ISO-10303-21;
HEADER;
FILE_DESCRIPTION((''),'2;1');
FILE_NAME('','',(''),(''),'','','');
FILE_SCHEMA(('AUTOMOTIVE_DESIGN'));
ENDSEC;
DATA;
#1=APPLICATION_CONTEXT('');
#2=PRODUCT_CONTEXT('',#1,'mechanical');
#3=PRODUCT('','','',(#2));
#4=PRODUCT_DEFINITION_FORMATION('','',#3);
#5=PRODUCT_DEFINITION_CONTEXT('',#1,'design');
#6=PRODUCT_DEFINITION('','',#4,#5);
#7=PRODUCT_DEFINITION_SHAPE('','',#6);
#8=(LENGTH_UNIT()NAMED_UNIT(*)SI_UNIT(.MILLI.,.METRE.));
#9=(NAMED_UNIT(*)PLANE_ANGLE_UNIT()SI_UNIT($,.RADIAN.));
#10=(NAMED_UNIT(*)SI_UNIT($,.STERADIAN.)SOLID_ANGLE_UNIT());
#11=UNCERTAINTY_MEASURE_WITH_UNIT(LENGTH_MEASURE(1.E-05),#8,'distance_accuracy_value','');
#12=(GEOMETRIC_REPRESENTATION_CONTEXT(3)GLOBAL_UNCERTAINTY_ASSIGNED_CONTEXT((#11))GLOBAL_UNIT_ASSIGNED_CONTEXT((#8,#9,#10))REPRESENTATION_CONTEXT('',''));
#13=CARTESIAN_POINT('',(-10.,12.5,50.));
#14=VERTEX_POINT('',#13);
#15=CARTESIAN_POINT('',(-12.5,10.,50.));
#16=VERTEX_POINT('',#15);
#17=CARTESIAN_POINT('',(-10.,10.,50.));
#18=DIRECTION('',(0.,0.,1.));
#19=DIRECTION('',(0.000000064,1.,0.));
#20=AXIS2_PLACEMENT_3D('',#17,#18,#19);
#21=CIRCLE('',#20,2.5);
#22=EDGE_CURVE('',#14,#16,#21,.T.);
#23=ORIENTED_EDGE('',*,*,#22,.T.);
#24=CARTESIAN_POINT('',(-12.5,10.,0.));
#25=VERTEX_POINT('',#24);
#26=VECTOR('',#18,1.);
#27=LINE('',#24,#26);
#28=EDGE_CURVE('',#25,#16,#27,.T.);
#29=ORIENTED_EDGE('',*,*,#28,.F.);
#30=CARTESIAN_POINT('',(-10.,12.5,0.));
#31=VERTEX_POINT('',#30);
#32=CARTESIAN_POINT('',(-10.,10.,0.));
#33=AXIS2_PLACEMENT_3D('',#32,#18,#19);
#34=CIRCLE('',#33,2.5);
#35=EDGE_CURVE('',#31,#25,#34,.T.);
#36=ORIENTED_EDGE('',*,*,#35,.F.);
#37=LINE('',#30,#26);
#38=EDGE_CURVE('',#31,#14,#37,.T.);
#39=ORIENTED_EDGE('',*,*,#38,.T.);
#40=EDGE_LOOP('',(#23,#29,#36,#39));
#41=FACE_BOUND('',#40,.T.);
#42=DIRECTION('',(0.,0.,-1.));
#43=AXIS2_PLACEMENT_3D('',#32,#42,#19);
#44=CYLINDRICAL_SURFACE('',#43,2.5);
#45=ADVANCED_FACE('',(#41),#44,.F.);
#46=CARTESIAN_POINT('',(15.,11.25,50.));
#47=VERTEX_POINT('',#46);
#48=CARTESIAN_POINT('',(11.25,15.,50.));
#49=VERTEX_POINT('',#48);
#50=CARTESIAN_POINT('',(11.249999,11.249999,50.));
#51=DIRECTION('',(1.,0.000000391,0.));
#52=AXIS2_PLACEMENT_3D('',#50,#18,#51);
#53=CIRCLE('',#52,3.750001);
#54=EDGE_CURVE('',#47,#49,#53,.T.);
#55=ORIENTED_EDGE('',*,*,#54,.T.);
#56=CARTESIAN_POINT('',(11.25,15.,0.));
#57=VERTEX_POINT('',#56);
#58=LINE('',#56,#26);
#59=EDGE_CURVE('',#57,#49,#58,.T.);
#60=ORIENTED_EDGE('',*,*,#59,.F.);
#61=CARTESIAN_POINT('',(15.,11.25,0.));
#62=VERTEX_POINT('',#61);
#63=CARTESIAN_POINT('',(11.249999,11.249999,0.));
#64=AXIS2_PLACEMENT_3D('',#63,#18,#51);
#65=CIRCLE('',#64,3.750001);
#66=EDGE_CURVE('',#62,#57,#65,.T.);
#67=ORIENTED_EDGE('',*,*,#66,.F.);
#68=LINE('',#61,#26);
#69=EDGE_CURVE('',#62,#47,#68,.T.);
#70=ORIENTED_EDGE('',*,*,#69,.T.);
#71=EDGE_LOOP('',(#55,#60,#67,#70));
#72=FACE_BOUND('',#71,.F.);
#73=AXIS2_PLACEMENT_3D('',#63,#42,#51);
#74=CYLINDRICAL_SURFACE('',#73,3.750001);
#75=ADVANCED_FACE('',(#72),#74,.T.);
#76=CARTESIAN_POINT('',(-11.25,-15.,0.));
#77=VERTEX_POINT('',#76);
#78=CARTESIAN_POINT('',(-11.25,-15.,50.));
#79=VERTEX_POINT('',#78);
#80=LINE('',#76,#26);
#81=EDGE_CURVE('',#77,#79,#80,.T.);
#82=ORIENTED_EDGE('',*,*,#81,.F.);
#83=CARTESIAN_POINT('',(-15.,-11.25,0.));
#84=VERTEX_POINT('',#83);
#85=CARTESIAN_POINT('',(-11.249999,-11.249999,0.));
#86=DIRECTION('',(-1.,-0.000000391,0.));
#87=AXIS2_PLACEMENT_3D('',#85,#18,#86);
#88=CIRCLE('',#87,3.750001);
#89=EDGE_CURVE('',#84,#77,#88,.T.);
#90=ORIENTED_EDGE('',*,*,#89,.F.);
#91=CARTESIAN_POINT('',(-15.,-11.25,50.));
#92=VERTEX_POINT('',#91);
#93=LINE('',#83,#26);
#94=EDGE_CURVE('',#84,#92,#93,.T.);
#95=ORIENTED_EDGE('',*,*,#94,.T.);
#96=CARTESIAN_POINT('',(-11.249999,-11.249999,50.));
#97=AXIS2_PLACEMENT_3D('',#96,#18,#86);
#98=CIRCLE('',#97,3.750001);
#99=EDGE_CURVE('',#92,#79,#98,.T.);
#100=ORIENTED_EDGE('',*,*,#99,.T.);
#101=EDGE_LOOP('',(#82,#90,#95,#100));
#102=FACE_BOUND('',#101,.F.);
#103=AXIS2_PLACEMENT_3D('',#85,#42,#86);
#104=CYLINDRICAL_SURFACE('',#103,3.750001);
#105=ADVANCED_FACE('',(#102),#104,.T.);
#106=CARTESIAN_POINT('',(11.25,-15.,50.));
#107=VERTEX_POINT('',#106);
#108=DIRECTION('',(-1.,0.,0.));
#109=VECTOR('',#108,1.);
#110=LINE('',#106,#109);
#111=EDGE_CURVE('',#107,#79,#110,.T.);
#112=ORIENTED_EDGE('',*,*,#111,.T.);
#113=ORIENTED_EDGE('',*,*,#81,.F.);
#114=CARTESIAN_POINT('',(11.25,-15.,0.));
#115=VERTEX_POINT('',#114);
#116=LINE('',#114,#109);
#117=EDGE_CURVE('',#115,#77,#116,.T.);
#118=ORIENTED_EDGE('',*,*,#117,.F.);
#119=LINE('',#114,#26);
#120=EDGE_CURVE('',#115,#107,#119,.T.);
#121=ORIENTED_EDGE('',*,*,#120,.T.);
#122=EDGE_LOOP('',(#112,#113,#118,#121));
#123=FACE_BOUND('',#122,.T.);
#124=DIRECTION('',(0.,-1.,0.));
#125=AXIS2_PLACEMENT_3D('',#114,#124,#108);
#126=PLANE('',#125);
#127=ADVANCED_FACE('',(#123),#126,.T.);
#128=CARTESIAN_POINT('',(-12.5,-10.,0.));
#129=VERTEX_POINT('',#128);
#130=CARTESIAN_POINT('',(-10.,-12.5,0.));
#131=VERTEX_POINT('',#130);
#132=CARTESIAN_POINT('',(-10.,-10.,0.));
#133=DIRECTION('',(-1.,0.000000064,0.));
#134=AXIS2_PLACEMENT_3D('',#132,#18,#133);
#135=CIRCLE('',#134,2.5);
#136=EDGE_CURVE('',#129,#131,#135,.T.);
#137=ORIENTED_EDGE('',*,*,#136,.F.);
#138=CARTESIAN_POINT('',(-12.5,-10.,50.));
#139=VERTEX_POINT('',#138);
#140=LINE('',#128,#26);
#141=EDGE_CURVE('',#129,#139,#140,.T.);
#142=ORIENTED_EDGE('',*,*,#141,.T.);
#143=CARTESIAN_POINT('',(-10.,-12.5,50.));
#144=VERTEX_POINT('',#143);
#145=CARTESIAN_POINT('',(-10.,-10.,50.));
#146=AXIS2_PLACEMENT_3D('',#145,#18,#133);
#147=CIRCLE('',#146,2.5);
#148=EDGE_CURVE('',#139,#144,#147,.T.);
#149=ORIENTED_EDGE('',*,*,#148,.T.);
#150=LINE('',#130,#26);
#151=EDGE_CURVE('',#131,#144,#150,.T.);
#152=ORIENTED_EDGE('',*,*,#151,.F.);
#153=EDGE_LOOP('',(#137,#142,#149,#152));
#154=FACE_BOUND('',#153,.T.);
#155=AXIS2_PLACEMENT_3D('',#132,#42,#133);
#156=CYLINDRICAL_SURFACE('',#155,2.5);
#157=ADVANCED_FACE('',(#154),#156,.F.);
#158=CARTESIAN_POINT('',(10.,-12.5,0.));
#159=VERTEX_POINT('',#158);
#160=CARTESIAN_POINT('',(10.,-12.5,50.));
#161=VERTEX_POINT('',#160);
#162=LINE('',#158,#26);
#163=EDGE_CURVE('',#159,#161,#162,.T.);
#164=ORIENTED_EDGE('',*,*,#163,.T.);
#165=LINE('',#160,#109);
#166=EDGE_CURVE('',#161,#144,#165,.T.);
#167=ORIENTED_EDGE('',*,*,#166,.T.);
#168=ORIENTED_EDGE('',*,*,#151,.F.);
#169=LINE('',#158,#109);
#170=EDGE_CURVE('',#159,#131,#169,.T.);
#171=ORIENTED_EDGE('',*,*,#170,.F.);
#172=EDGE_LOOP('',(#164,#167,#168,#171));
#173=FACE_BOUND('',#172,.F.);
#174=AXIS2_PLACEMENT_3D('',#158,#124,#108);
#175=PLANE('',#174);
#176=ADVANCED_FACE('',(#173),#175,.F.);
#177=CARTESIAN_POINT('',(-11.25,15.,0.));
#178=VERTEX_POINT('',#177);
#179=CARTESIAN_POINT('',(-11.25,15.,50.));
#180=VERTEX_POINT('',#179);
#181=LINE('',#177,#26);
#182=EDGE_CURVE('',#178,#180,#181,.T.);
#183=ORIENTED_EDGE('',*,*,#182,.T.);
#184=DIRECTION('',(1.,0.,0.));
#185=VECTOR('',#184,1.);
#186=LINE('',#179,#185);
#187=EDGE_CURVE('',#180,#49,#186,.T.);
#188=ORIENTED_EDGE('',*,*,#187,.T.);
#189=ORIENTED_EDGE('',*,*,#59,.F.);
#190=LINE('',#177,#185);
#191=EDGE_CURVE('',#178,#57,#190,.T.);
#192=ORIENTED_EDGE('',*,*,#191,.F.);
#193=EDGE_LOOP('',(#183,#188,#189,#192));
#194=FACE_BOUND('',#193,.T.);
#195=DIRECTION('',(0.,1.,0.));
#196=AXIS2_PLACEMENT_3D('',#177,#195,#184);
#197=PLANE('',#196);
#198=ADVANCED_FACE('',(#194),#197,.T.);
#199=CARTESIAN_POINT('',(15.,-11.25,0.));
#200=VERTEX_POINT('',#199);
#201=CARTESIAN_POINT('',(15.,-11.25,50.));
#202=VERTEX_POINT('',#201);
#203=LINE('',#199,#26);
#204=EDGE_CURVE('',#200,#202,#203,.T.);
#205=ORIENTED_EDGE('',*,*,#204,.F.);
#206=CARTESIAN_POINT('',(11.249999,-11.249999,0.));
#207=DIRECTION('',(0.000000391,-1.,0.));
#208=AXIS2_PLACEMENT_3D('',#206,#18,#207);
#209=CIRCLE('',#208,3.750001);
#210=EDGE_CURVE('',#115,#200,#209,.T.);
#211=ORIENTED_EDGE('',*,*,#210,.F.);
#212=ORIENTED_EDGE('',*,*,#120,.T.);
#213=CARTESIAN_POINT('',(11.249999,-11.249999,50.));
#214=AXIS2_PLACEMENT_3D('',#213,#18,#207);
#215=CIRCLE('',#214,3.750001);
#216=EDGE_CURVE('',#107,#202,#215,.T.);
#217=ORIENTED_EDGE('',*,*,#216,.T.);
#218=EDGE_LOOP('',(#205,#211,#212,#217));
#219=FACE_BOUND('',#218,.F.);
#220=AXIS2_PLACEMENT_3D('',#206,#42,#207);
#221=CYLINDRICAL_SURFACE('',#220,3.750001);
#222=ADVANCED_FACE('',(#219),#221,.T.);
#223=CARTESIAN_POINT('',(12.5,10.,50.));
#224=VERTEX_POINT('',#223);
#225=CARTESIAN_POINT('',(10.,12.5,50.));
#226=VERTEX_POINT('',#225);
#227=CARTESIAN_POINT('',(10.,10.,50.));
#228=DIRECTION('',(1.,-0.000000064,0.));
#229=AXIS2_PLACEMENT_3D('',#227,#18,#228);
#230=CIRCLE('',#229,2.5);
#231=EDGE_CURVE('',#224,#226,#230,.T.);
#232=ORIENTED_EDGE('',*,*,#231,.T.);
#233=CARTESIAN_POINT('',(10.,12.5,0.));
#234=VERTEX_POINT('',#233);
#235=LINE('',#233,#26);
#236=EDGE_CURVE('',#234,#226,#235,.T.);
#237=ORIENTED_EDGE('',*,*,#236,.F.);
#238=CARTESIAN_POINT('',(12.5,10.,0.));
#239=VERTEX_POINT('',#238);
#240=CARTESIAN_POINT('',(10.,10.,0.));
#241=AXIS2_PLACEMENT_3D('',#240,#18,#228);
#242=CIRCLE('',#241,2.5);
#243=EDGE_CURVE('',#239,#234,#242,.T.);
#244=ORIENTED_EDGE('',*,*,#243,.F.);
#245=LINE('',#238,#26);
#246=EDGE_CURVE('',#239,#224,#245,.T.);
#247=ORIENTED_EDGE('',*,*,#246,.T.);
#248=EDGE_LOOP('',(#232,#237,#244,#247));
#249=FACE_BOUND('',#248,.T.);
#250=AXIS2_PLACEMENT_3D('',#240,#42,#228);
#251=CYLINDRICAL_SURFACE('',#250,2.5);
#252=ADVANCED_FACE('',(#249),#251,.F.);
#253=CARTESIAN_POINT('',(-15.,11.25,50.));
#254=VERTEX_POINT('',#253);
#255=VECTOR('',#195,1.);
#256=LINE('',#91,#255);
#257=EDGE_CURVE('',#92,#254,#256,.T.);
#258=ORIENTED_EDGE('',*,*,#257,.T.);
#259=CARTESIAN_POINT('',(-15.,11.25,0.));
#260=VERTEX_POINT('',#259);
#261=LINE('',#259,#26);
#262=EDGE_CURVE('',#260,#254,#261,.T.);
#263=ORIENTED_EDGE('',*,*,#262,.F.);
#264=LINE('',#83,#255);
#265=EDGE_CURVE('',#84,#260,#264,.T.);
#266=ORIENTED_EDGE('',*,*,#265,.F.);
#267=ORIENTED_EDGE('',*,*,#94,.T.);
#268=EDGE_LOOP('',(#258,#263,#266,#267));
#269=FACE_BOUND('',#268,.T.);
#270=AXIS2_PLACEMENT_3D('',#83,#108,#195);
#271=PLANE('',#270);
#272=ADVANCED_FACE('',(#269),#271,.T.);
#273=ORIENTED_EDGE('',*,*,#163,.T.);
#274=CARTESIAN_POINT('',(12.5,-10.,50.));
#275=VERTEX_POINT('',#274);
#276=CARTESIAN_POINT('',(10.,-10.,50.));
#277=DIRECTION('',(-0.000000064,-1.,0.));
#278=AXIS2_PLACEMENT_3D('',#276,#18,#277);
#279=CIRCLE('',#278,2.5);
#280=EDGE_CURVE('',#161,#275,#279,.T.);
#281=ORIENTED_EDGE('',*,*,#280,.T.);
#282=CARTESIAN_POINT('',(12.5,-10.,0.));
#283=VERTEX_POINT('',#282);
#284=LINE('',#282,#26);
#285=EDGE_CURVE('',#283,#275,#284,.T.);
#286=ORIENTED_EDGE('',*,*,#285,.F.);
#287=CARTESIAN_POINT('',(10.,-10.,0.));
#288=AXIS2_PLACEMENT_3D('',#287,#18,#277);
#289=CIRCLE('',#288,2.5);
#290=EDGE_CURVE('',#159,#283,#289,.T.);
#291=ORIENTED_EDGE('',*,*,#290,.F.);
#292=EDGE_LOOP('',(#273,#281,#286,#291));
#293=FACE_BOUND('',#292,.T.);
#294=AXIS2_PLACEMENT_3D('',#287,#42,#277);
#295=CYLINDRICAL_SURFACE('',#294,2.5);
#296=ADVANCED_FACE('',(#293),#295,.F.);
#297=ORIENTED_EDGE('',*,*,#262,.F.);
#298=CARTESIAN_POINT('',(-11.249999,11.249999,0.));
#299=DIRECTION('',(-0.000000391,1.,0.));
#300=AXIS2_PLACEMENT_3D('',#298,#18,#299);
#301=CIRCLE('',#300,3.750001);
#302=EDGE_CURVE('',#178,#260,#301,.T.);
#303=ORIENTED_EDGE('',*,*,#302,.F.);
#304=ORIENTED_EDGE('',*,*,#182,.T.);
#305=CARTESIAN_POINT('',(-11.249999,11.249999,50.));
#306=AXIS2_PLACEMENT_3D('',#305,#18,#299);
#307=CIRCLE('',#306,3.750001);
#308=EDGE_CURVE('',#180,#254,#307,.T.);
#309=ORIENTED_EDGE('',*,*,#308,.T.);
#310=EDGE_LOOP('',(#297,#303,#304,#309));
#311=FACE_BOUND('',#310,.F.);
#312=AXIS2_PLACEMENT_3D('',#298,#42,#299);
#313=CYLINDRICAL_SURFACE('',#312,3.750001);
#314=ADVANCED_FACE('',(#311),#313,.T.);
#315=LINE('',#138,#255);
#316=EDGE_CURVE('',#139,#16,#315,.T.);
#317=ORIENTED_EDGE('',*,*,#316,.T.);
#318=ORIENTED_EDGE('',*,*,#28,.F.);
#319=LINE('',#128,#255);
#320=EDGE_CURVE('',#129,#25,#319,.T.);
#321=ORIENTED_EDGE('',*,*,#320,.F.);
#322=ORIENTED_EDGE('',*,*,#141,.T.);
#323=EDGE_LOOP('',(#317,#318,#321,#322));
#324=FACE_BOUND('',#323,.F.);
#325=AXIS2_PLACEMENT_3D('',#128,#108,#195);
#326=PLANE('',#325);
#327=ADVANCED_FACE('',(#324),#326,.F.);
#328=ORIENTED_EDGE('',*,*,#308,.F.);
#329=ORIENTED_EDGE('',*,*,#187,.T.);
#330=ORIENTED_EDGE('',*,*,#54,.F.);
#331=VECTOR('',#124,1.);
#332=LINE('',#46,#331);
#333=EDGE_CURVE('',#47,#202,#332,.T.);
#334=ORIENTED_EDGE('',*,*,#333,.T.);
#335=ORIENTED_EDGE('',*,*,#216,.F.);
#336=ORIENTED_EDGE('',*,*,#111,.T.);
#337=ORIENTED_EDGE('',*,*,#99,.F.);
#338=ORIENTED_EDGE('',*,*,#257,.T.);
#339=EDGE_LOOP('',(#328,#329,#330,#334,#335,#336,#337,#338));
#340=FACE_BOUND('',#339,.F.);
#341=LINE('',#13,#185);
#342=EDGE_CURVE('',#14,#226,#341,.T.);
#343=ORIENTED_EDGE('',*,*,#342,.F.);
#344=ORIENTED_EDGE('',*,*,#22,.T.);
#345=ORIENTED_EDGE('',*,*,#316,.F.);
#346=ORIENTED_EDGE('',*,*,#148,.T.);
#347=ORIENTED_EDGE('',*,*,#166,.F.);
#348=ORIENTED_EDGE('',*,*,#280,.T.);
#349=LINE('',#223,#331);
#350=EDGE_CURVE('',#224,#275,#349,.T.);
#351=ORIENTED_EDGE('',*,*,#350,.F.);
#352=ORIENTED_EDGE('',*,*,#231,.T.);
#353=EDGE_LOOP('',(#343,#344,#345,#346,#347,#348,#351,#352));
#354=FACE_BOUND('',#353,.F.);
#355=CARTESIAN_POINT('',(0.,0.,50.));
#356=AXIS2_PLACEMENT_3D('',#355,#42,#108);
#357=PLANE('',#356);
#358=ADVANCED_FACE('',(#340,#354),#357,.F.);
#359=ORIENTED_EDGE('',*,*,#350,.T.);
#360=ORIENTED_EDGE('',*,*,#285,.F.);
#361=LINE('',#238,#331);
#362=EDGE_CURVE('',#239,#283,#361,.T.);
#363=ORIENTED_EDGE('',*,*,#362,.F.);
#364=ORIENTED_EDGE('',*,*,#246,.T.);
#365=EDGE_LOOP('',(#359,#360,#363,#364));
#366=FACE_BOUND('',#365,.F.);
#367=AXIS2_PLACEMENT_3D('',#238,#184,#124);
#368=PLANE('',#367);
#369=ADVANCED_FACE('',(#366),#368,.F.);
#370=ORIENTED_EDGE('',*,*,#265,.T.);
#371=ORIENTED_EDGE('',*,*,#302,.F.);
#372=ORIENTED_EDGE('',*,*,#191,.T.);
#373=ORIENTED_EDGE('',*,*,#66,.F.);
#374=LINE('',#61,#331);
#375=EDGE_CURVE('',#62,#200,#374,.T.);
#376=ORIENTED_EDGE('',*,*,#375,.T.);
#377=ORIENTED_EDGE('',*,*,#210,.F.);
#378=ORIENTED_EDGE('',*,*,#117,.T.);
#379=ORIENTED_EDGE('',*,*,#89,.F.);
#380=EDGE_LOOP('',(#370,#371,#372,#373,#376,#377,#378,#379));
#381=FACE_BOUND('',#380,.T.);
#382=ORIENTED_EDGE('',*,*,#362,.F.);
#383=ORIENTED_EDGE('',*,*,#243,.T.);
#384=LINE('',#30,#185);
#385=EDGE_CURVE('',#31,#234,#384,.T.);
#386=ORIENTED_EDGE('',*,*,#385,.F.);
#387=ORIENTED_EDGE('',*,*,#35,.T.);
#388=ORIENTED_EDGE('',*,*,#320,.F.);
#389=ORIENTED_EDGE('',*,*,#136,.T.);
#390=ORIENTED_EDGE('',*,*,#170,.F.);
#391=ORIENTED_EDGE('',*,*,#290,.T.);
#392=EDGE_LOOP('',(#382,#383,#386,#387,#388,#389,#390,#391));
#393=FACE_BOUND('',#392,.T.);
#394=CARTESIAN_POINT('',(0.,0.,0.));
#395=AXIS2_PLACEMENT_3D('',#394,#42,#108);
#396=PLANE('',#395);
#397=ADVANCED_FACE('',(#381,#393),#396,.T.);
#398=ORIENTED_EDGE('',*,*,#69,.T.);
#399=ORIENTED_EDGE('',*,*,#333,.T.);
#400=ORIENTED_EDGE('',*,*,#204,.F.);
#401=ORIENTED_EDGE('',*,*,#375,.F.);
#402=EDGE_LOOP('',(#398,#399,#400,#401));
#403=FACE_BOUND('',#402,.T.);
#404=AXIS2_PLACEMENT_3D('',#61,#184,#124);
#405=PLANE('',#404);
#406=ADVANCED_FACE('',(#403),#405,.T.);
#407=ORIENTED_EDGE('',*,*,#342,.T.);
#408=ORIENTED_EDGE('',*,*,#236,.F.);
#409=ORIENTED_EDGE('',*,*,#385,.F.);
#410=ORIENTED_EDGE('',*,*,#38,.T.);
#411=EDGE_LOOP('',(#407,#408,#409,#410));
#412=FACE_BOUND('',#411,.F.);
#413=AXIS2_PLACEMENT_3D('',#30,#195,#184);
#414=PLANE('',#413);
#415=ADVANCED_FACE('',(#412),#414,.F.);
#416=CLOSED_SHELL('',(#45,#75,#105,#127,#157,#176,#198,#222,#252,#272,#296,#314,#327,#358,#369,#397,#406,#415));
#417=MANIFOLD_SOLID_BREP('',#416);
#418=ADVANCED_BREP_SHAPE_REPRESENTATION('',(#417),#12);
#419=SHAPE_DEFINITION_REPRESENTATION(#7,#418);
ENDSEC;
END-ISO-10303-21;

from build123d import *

# Parameters (mm, degrees)
EXTRUDE_DEPTH = 50


with BuildPart() as part:
    # Sketch → Extrude (new body)
    with BuildSketch(Plane.XY):
        with BuildLine():
            Line((-11.25, 15), (11.25, 15))
            ThreePointArc((15, 11.25), (13.90165, 13.90165), (11.25, 15))
            Line((15, 11.25), (15, -11.25))
            ThreePointArc((11.25, -15), (13.90165, -13.90165), (15, -11.25))
            Line((11.25, -15), (-11.25, -15))
            ThreePointArc((-15, -11.25), (-13.90165, -13.90165), (-11.25, -15))
            Line((-15, -11.25), (-15, 11.25))
            ThreePointArc((-11.25, 15), (-13.90165, 13.90165), (-15, 11.25))
        make_face()
        with BuildLine():
            Line((-10, 12.5), (10, 12.5))
            ThreePointArc((12.5, 10), (11.767767, 11.767767), (10, 12.5))
            Line((12.5, 10), (12.5, -10))
            ThreePointArc((10, -12.5), (11.767767, -11.767767), (12.5, -10))
            Line((10, -12.5), (-10, -12.5))
            ThreePointArc((-12.5, -10), (-11.767767, -11.767767), (-10, -12.5))
            Line((-12.5, -10), (-12.5, 10))
            ThreePointArc((-10, 12.5), (-11.767767, 11.767767), (-12.5, 10))
        make_face(mode=Mode.SUBTRACT)
    extrude(amount=EXTRUDE_DEPTH)


solid = part.part
